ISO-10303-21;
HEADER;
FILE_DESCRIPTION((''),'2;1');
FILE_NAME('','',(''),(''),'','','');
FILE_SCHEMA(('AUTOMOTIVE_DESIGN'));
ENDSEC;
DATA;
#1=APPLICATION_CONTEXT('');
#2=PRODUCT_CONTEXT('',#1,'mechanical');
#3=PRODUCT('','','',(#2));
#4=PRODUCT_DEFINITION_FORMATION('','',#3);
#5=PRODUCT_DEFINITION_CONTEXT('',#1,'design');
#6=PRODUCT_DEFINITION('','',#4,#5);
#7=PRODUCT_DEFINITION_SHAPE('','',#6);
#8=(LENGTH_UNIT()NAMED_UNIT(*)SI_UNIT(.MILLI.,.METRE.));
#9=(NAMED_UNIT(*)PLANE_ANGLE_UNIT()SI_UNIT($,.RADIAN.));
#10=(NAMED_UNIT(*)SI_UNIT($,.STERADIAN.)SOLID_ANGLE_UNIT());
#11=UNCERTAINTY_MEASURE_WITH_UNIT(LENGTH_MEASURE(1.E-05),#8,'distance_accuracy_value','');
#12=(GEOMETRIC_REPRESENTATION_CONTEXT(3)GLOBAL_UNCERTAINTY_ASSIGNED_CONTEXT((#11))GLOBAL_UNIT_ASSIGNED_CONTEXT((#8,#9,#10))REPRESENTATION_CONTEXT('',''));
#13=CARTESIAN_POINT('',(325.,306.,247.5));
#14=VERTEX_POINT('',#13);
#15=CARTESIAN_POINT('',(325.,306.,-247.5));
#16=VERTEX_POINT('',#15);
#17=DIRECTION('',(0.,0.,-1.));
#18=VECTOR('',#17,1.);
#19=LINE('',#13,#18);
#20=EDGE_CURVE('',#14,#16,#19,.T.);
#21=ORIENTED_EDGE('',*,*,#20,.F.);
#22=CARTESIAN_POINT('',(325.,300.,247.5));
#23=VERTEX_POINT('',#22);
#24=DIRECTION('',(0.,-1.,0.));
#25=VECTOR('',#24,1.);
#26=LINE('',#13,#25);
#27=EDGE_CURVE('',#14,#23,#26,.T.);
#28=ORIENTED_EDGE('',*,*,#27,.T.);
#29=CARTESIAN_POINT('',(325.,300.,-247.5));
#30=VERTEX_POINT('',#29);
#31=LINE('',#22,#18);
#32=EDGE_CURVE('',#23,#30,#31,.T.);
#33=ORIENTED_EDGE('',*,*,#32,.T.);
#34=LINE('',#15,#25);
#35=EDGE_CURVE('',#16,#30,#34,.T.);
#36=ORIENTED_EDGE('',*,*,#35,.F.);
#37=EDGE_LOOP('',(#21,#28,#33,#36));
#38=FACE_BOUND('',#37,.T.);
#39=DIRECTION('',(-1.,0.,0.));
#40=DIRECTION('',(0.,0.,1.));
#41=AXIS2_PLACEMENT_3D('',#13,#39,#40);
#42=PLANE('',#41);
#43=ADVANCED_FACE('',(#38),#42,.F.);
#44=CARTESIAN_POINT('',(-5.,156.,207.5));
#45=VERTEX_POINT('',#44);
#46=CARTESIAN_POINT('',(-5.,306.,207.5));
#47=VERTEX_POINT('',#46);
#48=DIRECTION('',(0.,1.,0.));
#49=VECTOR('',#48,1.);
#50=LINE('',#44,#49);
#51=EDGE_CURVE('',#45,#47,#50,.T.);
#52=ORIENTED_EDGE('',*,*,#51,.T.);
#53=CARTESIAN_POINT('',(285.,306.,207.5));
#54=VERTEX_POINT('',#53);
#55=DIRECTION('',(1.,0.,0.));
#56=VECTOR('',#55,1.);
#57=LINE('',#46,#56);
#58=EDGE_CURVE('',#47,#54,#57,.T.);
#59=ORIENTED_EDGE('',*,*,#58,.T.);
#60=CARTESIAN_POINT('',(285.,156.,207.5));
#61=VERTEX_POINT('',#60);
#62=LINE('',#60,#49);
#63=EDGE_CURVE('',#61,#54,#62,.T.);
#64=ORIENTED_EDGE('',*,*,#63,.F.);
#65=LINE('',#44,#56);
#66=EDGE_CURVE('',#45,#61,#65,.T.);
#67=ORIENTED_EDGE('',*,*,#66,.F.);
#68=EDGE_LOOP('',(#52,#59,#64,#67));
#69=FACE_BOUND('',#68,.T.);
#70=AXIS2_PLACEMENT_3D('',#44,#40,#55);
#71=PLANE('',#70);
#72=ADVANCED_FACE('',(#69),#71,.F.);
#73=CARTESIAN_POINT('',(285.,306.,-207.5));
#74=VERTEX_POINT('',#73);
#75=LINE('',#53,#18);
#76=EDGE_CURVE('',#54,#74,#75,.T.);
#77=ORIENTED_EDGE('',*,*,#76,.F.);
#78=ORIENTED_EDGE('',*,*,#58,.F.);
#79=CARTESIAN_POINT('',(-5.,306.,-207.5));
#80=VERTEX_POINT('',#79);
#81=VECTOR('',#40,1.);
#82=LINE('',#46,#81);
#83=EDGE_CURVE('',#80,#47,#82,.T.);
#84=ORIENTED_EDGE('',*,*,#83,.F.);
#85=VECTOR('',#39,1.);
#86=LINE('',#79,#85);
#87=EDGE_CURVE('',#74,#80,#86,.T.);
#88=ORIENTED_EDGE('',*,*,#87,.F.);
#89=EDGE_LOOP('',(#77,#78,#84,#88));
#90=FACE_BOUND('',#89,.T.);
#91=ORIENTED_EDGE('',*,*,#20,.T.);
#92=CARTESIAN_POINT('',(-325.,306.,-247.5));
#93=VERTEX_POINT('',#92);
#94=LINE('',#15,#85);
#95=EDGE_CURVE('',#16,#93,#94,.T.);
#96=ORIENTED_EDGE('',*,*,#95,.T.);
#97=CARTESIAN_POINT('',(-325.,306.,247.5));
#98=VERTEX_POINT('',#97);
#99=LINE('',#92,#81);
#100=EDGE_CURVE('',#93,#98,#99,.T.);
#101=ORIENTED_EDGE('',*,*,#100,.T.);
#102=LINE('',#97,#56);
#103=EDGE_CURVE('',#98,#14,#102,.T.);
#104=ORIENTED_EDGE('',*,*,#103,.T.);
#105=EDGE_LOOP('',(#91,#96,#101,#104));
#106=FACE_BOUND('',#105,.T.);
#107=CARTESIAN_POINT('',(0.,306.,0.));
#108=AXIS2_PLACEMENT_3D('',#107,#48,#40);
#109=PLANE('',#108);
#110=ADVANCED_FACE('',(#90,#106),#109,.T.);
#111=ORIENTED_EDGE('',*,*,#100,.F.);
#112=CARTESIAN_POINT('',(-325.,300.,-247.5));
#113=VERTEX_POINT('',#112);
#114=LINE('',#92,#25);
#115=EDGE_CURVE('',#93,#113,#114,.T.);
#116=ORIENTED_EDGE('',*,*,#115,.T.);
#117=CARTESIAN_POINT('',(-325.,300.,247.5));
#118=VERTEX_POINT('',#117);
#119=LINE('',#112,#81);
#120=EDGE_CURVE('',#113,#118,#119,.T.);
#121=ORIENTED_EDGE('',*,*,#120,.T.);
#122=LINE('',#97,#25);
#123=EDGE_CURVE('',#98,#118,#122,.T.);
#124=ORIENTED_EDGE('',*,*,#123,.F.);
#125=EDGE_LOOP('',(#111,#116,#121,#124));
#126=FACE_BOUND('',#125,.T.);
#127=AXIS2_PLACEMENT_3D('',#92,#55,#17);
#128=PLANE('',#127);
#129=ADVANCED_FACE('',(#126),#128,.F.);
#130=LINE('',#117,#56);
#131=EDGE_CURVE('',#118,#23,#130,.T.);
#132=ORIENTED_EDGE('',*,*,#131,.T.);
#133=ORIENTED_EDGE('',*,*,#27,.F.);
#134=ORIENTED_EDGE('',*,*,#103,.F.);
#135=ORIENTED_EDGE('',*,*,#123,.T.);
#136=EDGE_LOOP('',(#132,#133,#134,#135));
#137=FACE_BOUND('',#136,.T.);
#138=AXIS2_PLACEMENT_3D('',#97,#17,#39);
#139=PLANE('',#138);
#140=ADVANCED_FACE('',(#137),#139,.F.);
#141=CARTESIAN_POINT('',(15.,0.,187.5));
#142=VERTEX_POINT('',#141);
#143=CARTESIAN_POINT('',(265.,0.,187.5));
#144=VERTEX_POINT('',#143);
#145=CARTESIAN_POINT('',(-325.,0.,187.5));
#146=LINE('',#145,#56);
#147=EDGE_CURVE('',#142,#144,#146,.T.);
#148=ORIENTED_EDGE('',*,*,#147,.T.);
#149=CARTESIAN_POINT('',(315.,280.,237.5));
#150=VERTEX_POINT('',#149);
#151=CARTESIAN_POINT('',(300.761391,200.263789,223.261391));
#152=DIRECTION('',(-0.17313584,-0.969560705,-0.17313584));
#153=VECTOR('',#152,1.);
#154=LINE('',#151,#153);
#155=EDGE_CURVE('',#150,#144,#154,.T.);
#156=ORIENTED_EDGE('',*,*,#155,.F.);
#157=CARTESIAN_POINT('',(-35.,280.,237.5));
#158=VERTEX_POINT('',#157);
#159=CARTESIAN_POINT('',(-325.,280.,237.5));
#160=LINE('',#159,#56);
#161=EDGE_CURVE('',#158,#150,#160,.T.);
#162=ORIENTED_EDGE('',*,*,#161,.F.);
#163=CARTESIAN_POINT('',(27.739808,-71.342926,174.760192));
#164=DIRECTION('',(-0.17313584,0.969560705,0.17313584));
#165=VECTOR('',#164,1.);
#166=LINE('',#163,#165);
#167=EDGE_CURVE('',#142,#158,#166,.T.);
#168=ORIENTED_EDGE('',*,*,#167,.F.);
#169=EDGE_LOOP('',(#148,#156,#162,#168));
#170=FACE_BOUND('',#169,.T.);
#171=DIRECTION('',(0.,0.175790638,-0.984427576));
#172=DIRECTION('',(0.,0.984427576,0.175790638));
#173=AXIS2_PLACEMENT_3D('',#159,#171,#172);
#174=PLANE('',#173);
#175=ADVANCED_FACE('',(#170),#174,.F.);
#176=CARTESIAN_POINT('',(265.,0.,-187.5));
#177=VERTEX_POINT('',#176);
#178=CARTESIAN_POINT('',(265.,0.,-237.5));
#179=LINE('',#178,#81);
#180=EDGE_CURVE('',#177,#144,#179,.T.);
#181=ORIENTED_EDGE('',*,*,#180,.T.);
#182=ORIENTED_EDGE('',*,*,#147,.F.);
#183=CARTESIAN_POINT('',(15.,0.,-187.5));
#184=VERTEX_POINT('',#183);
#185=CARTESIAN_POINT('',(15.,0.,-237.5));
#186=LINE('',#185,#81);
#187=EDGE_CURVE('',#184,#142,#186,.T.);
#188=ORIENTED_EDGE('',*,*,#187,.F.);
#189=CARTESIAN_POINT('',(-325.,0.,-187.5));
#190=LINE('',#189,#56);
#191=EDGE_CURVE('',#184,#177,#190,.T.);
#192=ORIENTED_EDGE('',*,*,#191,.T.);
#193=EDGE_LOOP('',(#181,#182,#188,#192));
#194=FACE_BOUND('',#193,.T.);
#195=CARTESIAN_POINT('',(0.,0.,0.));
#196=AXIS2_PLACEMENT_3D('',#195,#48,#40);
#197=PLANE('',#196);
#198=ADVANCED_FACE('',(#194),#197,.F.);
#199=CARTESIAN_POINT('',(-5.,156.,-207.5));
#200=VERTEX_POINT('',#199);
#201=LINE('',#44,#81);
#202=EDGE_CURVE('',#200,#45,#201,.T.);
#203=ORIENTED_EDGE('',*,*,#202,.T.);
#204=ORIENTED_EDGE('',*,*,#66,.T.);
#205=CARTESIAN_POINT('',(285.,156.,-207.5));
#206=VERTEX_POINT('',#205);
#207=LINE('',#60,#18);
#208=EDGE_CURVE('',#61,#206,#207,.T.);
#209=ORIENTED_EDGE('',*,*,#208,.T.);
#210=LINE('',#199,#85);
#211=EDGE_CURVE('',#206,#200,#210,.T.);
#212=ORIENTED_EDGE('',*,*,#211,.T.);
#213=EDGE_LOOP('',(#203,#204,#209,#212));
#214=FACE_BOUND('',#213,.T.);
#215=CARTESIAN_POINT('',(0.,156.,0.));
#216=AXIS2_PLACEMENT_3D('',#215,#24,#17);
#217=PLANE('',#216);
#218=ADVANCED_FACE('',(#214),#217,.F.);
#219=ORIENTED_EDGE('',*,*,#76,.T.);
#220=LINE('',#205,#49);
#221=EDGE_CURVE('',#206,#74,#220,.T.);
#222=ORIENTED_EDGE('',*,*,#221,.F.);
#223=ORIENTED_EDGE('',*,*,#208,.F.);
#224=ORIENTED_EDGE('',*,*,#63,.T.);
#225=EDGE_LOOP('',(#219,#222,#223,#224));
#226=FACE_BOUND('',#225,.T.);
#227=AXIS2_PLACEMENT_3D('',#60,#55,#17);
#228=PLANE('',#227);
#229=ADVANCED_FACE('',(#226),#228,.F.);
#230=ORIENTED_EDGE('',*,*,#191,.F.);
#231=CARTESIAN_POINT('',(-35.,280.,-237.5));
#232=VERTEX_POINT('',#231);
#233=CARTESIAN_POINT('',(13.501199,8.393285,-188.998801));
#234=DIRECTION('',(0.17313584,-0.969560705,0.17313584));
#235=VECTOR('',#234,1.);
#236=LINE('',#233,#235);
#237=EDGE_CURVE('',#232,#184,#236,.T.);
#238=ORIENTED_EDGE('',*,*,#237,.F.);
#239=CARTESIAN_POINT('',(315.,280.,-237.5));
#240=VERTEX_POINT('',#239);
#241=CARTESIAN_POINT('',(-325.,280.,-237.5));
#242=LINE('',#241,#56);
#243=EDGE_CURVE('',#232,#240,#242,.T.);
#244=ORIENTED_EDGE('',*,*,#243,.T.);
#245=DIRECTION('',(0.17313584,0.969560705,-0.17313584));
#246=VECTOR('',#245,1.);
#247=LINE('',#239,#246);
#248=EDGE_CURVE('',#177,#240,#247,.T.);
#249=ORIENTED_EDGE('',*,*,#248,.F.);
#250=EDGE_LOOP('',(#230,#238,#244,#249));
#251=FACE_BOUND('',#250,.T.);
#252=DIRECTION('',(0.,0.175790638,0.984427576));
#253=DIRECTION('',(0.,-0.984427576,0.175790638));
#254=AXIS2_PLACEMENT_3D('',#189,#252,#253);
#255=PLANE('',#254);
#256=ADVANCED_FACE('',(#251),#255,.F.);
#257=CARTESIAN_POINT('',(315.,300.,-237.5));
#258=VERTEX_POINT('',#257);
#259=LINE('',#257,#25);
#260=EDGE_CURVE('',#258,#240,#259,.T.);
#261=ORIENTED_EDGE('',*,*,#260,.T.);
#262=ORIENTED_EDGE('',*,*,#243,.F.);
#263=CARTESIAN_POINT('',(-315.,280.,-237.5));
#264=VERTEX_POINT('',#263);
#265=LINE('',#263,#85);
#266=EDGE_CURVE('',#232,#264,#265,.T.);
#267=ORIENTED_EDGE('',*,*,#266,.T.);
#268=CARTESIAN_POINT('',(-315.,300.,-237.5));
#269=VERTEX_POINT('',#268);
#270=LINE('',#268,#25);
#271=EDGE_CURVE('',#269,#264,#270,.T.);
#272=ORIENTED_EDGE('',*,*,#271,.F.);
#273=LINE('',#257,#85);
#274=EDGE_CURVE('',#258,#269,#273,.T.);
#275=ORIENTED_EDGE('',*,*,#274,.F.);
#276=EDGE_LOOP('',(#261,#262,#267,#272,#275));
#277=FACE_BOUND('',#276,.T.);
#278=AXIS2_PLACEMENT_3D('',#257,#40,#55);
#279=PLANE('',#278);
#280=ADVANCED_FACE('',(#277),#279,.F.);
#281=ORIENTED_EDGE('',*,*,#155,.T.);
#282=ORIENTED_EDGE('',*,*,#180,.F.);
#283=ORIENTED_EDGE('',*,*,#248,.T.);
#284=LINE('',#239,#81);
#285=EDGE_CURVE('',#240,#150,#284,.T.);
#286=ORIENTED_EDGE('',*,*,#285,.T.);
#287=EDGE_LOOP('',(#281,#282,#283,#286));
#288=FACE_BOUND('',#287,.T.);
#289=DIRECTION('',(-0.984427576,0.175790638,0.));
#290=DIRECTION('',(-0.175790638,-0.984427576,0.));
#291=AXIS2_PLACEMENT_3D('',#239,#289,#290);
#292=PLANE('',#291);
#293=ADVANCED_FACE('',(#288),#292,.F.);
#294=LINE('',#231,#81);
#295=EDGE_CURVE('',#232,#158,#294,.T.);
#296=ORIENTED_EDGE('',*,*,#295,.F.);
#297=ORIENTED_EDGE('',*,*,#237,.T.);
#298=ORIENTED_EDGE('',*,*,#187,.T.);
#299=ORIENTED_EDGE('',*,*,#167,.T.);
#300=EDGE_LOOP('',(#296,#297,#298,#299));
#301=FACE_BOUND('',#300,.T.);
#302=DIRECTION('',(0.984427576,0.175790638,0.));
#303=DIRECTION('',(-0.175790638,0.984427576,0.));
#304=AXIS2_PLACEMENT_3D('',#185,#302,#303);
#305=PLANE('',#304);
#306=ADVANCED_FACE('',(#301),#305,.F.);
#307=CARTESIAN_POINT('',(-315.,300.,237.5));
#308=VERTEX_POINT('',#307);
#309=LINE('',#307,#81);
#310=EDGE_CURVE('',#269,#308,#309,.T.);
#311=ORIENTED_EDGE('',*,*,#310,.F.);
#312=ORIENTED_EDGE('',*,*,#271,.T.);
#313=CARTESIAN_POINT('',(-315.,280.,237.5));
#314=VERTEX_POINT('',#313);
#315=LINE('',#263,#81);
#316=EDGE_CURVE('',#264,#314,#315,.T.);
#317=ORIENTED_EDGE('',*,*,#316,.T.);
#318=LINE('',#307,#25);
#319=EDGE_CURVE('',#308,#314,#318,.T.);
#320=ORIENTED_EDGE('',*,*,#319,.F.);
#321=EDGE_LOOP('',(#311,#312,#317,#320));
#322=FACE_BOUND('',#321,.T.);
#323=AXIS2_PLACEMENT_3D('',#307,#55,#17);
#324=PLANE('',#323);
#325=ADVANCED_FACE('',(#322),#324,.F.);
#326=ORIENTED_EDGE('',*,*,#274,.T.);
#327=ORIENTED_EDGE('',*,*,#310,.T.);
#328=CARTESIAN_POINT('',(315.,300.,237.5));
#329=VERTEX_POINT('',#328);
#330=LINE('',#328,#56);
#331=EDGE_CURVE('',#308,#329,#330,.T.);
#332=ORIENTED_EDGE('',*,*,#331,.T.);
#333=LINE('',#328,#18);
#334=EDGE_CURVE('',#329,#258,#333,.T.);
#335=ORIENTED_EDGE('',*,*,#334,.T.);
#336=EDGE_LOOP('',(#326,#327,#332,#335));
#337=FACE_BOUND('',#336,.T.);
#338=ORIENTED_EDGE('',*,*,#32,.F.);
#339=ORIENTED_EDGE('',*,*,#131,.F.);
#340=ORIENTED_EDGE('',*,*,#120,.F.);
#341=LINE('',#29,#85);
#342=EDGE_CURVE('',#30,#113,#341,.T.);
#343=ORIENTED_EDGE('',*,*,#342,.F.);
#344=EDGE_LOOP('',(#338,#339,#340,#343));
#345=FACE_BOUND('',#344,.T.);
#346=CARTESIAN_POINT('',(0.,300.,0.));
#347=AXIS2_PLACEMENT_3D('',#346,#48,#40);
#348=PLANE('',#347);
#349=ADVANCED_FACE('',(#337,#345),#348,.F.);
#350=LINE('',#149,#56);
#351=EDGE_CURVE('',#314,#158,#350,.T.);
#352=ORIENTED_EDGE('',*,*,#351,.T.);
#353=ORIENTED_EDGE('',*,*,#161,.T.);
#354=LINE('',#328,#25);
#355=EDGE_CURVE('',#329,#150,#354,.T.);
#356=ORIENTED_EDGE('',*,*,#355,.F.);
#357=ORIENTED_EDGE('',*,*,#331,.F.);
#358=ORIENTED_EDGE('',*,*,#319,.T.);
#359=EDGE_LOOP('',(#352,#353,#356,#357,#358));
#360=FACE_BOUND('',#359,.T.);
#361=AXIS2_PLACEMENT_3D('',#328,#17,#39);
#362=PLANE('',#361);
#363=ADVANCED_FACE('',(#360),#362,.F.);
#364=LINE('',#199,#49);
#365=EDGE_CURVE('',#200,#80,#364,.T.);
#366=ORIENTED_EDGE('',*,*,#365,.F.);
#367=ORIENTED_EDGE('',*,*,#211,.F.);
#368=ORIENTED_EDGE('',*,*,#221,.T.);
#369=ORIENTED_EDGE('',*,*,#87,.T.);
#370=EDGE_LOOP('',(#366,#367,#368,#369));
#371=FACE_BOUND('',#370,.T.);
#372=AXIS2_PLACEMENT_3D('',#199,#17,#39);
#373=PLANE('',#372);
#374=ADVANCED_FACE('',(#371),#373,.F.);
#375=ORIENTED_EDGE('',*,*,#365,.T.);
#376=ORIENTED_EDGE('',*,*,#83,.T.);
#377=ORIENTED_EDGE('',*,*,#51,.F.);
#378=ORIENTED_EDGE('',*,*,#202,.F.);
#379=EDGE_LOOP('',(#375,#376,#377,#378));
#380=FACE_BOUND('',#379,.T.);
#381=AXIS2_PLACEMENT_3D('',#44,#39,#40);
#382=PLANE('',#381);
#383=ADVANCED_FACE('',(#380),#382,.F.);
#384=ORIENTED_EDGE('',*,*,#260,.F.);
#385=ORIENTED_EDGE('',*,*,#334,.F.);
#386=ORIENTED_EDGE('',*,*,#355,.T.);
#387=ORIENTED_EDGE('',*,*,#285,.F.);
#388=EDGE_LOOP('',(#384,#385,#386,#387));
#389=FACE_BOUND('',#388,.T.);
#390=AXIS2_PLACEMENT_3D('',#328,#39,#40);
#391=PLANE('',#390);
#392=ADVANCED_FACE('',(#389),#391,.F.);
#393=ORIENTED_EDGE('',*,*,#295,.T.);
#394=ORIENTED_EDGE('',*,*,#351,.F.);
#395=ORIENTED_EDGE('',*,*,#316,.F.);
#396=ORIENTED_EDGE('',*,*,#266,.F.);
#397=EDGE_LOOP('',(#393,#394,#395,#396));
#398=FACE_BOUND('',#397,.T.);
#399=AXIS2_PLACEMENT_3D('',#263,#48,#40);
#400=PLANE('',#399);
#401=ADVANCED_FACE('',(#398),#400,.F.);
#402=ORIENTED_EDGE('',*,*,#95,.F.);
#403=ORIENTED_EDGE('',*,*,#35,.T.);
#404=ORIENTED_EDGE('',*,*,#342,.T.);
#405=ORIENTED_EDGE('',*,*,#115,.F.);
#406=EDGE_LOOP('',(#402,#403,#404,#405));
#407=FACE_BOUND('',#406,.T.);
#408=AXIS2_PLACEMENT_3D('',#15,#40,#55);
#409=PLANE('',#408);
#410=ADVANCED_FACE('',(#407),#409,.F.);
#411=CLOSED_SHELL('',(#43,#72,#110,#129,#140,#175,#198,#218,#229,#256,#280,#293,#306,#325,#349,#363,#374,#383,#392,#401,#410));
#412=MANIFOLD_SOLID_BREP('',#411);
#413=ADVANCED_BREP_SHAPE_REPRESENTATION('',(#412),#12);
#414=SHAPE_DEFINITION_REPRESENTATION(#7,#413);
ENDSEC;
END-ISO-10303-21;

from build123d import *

# Parameters (mm, degrees)
SKETCH_1_W               = 630
SKETCH_1_H               = 475
EXTRUDE_1_DEPTH          = 300
CUT_EXTRUDE_1_DEPTH      = 1
CUT_EXTRUDE_1_DEPTH_BACK = 476
SKETCH_3_W               = 650
SKETCH_3_H               = 495
EXTRUDE_2_DEPTH          = 6
CUT_EXTRUDE_2_DEPTH      = 11
CUT_EXTRUDE_2_DEPTH_BACK = 641
SKETCH_5_W               = 290
SKETCH_5_H               = 415
CUT_EXTRUDE_4_DEPTH      = 150


with BuildPart() as part:
    # Эскиз1 → Бобышка-Вытянуть1 (new body)
    with BuildSketch(Plane(origin=(0, 0, 0), x_dir=(1, 0, 0), z_dir=(0, 1, 0))):
        Rectangle(SKETCH_1_W, SKETCH_1_H)
    extrude(amount=EXTRUDE_1_DEPTH)

    # Эскиз2 → Вырез-Вытянуть1 (cut, two sides)
    with BuildSketch(Plane.XY.offset(237.5)) as cut_extrude_1_sk:
        Polygon((-315, 0), (15, 0), (-35, 280), (-315, 280), align=None)
        Polygon((315, 280), (265, 0), (315, 0), align=None)
    extrude(amount=CUT_EXTRUDE_1_DEPTH, mode=Mode.SUBTRACT)
    extrude(cut_extrude_1_sk.sketch, amount=-CUT_EXTRUDE_1_DEPTH_BACK, mode=Mode.SUBTRACT)

    # Эскиз3 → Бобышка-Вытянуть2 (add)
    with BuildSketch(Plane(origin=(0, 300, 0), x_dir=(1, 0, 0), z_dir=(0, 1, 0))):
        Rectangle(SKETCH_3_W, SKETCH_3_H)
    extrude(amount=EXTRUDE_2_DEPTH)

    # Эскиз4 → Вырез-Вытянуть2 (cut, two sides)
    with BuildSketch(Plane(origin=(315, 0, 0), x_dir=(0, 0, -1), z_dir=(1, 0, 0))) as cut_extrude_2_sk:
        Polygon((-237.5, 280), (-187.5, 0), (-237.5, 0), align=None)
        Polygon((237.5, 280), (237.5, 0), (187.5, 0), align=None)
    extrude(amount=CUT_EXTRUDE_2_DEPTH, mode=Mode.SUBTRACT)
    extrude(cut_extrude_2_sk.sketch, amount=-CUT_EXTRUDE_2_DEPTH_BACK, mode=Mode.SUBTRACT)

    # Эскиз5 → Вырез-Вытянуть4 (cut)
    with BuildSketch(Plane(origin=(0, 306, 0), x_dir=(1, 0, 0), z_dir=(0, 1, 0))):
        with Locations((140, 0)):
            Rectangle(SKETCH_5_W, SKETCH_5_H)
    extrude(amount=-CUT_EXTRUDE_4_DEPTH, mode=Mode.SUBTRACT)


solid = part.part
